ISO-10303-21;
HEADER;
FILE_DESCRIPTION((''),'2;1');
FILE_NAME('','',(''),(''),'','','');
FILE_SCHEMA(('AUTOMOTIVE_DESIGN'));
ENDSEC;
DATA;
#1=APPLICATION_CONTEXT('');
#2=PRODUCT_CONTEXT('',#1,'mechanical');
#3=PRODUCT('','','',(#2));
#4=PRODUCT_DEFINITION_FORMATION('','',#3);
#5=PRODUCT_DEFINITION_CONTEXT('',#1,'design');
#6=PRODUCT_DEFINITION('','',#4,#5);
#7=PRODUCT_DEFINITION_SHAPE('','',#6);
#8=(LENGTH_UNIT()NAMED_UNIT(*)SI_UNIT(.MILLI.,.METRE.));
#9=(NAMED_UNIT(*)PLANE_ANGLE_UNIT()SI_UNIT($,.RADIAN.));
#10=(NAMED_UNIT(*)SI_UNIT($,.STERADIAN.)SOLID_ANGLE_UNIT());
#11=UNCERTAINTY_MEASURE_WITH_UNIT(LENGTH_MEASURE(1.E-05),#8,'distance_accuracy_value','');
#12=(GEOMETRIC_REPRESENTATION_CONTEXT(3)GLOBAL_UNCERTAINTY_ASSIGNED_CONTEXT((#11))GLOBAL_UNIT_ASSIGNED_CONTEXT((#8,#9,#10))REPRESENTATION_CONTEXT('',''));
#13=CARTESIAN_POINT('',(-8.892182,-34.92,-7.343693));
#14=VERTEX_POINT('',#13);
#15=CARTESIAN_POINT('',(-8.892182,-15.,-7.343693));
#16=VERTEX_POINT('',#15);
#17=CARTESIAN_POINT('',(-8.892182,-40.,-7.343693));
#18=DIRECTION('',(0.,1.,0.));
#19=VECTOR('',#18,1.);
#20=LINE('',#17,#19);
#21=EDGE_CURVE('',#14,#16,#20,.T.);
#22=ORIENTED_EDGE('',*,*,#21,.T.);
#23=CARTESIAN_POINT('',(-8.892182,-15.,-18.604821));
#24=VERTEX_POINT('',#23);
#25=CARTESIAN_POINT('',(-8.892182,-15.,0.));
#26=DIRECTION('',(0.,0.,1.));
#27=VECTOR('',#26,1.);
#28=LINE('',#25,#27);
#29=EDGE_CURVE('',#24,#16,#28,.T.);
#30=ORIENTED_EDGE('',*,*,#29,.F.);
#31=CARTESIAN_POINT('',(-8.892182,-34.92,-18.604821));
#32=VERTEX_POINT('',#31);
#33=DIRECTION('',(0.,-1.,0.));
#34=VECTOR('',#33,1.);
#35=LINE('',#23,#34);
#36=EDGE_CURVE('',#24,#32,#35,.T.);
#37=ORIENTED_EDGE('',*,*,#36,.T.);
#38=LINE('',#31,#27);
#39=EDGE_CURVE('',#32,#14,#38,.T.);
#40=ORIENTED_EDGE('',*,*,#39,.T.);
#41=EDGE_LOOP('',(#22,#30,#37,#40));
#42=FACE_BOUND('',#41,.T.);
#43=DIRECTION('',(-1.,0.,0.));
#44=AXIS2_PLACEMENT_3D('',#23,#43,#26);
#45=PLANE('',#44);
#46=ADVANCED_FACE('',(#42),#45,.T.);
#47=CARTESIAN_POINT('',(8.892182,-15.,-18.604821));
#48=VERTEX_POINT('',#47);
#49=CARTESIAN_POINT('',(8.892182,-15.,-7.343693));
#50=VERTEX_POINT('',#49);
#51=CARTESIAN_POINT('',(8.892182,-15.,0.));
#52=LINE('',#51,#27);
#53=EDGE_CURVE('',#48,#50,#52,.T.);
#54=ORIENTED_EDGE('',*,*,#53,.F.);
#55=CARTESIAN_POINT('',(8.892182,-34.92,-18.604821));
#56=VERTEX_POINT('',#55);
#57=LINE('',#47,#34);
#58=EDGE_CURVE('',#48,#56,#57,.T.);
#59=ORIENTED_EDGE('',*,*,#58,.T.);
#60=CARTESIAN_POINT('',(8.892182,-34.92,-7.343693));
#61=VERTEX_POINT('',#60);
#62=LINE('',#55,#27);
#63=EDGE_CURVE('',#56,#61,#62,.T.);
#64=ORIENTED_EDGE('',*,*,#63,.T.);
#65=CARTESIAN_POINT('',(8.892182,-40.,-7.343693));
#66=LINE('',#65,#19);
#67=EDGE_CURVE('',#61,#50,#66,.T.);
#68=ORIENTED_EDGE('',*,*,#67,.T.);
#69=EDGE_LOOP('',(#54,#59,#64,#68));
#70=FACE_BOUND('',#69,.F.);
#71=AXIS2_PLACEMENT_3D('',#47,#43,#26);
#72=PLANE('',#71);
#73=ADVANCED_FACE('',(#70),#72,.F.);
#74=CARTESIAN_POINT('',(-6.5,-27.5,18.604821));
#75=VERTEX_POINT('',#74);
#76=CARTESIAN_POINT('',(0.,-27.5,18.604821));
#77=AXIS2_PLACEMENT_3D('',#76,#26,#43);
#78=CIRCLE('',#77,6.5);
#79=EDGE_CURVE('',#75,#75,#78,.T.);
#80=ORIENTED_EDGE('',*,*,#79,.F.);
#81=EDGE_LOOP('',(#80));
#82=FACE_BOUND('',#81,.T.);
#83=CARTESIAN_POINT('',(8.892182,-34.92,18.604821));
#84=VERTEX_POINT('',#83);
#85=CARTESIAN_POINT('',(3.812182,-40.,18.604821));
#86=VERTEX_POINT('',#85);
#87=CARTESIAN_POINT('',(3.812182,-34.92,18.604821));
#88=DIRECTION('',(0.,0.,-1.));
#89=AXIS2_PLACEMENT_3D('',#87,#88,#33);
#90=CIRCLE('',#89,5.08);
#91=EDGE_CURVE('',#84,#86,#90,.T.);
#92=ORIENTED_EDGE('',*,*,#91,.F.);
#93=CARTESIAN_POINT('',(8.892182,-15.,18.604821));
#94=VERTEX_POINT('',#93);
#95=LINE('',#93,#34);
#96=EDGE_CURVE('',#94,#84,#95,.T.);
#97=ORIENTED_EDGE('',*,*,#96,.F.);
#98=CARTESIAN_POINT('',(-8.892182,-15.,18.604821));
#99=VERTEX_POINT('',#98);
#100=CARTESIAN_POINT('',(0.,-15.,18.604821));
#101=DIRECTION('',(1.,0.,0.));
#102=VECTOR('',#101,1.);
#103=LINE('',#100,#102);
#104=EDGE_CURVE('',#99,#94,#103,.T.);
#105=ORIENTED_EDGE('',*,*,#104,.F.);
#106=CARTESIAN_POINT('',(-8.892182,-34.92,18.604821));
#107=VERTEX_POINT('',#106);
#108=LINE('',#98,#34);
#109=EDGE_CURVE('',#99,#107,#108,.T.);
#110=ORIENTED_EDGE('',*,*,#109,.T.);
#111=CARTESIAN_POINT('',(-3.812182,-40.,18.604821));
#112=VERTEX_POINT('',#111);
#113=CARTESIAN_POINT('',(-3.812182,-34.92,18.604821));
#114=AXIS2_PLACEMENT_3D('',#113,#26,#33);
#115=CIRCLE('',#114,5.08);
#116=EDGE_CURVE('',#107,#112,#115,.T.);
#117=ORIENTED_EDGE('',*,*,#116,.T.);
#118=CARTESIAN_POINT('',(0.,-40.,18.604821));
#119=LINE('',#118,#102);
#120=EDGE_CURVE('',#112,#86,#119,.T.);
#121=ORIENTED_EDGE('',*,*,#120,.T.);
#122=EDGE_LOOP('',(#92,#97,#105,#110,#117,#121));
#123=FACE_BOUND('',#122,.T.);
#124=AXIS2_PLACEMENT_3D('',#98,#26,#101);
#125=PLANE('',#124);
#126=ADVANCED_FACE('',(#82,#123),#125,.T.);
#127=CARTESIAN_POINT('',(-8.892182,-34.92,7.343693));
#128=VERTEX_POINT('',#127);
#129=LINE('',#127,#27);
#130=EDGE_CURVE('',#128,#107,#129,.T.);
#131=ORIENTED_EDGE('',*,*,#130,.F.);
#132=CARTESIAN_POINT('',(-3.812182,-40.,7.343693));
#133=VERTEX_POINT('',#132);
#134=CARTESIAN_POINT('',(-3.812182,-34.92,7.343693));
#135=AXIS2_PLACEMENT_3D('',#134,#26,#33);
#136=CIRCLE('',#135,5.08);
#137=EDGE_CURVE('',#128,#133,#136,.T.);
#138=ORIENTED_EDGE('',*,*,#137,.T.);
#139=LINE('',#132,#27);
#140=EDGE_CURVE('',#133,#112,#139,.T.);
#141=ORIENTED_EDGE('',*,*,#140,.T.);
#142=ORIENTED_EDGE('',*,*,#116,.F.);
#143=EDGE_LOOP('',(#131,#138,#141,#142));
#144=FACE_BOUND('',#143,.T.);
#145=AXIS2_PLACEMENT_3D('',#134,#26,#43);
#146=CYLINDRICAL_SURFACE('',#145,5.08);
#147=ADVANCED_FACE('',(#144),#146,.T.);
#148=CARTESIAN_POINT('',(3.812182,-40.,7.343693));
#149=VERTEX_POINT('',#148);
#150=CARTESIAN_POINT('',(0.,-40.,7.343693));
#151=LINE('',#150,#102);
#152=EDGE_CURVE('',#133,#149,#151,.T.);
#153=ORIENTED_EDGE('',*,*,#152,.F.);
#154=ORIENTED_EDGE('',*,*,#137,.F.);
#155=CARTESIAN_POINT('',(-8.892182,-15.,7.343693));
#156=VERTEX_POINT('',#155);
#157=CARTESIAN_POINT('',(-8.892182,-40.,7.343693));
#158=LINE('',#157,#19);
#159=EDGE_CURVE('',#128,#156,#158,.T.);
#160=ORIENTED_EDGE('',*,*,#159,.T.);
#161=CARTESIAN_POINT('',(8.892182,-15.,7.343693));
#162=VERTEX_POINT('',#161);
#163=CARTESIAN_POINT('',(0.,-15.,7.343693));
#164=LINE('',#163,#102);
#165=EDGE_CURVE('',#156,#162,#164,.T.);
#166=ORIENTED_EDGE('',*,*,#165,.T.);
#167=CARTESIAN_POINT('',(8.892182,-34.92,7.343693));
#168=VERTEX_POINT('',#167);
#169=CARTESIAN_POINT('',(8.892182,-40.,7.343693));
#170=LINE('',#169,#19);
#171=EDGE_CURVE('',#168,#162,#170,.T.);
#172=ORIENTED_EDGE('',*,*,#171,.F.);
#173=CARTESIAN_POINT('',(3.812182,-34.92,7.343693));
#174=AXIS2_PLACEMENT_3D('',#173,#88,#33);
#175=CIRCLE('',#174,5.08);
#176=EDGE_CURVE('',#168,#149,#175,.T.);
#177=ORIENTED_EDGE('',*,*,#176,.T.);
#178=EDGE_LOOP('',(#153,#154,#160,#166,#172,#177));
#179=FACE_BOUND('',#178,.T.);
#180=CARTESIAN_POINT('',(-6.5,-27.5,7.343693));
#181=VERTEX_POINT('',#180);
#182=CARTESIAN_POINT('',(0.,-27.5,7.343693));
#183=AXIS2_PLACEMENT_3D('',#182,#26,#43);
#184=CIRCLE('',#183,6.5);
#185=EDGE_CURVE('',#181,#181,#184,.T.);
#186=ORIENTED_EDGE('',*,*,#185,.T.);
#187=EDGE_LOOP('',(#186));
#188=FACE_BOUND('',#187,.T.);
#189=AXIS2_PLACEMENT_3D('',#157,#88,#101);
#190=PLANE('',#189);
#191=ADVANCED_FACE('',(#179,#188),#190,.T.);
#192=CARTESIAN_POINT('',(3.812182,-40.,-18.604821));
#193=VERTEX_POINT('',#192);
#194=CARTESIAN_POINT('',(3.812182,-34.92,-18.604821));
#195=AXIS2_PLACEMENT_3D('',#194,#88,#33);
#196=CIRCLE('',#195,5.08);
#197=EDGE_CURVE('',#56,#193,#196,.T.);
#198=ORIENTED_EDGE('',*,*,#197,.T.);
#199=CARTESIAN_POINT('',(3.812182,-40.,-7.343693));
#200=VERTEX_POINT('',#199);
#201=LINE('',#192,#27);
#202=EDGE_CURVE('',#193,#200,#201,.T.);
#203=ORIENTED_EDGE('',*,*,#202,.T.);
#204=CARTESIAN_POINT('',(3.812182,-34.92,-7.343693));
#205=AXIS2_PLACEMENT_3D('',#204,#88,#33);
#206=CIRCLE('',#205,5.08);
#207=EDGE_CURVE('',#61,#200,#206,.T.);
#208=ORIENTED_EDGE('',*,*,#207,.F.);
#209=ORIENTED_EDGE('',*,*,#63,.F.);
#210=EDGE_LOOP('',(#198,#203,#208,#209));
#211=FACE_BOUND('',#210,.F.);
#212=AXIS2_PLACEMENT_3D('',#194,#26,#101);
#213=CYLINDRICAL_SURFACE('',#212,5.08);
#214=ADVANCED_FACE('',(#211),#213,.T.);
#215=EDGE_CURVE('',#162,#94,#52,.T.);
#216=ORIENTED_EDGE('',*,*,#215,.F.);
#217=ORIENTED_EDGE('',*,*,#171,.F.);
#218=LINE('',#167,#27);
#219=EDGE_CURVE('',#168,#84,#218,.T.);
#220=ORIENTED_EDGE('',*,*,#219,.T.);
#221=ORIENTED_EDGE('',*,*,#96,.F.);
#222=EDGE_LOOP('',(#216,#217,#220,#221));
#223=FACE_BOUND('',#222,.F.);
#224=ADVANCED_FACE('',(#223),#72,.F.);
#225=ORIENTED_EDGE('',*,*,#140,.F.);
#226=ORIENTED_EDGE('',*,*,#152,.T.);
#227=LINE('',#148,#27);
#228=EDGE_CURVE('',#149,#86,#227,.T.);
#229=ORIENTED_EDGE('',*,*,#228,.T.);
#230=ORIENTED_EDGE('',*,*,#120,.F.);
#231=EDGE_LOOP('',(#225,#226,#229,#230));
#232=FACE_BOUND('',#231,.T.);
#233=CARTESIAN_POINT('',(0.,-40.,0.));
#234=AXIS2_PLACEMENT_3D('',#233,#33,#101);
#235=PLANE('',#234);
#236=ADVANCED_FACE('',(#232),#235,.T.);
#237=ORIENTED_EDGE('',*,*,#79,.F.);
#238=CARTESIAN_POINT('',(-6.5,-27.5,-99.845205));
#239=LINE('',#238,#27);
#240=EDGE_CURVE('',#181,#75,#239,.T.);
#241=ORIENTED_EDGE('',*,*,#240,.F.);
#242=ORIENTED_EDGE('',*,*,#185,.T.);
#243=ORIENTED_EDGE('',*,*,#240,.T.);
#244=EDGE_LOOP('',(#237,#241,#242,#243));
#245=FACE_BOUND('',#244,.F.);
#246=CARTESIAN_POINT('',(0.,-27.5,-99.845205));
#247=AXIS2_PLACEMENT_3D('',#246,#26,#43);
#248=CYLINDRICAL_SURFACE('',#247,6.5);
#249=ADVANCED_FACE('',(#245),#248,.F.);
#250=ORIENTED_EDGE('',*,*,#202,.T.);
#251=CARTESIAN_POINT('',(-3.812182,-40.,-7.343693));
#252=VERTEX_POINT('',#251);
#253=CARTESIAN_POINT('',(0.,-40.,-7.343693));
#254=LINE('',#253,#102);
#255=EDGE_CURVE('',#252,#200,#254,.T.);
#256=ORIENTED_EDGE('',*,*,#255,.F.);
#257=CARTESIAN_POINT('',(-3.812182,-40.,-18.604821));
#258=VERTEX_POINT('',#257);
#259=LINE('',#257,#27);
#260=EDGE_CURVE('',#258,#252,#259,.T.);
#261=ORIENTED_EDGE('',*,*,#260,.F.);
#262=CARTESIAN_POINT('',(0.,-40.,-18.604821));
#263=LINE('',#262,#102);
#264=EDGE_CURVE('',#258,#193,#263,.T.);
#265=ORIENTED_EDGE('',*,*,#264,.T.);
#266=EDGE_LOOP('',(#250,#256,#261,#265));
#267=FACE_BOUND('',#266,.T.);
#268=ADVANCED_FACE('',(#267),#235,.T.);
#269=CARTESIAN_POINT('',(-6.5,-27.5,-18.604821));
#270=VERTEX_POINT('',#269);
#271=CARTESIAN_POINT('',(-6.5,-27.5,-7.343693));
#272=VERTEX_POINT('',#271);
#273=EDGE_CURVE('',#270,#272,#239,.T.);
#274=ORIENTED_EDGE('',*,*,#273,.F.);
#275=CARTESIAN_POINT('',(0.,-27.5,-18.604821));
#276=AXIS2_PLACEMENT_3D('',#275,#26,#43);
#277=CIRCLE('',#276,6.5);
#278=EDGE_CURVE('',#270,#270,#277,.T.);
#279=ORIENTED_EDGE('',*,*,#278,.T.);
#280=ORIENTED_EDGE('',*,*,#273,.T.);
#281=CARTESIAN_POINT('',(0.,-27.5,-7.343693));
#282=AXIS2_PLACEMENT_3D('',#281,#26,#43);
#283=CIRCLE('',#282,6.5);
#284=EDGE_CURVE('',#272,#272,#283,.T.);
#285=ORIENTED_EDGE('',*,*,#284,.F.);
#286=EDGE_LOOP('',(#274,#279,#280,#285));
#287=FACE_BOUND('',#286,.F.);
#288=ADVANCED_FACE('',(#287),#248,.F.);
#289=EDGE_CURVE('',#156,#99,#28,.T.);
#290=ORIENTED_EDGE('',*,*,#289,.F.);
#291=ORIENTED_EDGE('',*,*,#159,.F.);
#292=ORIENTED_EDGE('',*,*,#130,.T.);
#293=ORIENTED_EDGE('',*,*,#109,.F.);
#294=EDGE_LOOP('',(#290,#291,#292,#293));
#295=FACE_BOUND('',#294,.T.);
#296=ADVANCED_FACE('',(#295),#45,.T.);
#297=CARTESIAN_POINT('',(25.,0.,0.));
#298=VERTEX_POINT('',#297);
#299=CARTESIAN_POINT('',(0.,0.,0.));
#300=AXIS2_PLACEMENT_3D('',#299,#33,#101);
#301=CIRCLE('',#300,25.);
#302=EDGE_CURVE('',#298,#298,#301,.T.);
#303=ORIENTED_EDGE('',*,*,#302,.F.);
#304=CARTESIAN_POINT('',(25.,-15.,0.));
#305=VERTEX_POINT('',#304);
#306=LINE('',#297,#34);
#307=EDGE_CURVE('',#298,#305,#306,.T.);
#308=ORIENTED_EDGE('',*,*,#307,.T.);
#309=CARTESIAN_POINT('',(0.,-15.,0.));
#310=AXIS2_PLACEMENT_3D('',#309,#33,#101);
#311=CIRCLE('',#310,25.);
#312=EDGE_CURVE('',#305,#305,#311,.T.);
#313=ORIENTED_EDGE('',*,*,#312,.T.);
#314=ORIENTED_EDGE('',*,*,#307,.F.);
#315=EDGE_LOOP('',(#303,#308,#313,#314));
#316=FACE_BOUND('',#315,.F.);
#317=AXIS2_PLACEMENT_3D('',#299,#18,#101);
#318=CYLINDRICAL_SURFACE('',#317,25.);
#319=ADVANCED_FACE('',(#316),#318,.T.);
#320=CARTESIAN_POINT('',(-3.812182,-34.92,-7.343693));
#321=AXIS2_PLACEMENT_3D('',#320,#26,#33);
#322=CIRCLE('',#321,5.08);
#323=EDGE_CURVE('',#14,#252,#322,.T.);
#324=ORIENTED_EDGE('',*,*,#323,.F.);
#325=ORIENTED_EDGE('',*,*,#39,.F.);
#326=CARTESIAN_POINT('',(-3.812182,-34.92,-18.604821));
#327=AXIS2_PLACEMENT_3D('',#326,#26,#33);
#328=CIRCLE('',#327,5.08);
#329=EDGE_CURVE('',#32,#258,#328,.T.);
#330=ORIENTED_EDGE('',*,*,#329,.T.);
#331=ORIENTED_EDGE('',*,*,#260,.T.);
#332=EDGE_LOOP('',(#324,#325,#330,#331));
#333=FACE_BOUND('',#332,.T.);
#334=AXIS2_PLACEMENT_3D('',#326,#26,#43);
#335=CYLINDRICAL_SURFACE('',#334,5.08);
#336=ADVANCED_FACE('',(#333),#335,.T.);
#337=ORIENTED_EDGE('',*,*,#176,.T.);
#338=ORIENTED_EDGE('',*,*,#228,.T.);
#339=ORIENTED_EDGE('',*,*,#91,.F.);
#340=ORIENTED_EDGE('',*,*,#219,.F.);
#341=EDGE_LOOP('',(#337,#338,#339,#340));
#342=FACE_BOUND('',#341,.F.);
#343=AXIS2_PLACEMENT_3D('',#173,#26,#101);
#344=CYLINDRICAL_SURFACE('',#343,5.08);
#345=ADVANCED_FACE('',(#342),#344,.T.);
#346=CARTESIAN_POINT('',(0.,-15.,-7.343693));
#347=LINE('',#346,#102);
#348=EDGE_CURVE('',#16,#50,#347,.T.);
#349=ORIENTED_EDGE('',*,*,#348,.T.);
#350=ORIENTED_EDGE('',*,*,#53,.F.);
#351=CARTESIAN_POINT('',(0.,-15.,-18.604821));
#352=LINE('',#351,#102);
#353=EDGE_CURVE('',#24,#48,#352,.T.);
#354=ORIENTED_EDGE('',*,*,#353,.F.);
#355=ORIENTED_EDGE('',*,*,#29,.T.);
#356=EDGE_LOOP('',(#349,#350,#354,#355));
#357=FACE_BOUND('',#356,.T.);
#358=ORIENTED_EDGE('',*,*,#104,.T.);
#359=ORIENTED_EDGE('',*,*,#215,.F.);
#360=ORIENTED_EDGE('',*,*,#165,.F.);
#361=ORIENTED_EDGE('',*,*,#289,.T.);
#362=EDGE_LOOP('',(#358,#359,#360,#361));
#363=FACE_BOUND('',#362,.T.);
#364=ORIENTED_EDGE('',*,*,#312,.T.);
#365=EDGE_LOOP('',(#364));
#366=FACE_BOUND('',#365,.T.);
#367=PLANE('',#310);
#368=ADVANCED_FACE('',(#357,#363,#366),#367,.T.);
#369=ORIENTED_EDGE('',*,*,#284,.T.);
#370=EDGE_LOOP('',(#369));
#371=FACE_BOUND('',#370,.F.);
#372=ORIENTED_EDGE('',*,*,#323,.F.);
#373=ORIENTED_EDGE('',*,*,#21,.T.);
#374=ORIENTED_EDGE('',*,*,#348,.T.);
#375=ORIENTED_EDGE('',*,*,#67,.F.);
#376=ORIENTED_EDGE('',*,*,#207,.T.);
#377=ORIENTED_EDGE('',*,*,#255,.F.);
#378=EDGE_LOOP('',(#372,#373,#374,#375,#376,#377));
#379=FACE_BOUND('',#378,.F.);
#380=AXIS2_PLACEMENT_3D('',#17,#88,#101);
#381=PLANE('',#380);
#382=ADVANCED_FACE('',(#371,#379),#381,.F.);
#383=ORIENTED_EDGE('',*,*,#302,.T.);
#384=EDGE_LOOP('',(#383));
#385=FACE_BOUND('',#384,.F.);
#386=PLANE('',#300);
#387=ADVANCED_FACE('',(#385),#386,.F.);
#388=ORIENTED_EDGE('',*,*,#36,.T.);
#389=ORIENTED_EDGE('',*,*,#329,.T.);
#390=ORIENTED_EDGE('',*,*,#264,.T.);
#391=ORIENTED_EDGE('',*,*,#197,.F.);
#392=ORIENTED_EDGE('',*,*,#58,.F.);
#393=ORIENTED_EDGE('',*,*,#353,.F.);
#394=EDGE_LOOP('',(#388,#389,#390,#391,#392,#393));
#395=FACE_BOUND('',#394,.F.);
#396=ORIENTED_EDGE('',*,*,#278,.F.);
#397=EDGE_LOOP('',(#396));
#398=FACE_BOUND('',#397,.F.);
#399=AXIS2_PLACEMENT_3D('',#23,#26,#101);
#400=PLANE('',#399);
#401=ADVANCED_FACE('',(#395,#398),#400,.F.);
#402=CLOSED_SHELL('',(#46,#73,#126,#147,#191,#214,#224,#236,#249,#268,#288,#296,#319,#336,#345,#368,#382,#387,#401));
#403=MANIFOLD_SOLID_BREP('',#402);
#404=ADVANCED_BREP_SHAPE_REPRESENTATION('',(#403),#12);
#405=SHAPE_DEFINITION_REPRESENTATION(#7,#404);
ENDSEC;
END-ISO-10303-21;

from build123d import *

# Parameters (mm, degrees)
F0_R     = 25
F1_DEPTH = 15
F2_W     = 17.784364
F2_H     = 37.209642
F3_DEPTH = 25
F6_D     = 13
F4_W     = 17.784364
F4_H     = 14.687386
F7_DEPTH = 25
F8_R     = 5.08


with BuildPart() as f1:
    # F0 (on Front) → F1 (new body)
    with BuildSketch(Plane.XZ):
        Circle(F0_R)
    extrude(amount=F1_DEPTH)

    # F2 (on face) → F3 (join)
    with BuildSketch(Plane.XZ.offset(15)):
        Rectangle(F2_W, F2_H)
    extrude(amount=F3_DEPTH)

    # F6 (through all)
    with Locations(Plane(origin=(0, 0, -18.604821), x_dir=(1, 0, 0), z_dir=(0, 0, -1))):
        with Locations((0, 27.5)):
            Hole(F6_D / 2)

    # F4 (on face) → F7 (cut)
    with BuildSketch(Plane.XZ.offset(40)):
        Rectangle(F4_W, F4_H)
    extrude(amount=-F7_DEPTH, mode=Mode.SUBTRACT)

    # F8
    f8_edges = [f1.edges().sort_by_distance(p)[0] for p in [
        (8.892182, -40, -12.974257),
        (8.892182, -40, 12.974257),
        (-8.892182, -40, 12.974257),
        (-8.892182, -40, -12.974257),
    ]]
    fillet(f8_edges, radius=F8_R)


solid = f1.part
